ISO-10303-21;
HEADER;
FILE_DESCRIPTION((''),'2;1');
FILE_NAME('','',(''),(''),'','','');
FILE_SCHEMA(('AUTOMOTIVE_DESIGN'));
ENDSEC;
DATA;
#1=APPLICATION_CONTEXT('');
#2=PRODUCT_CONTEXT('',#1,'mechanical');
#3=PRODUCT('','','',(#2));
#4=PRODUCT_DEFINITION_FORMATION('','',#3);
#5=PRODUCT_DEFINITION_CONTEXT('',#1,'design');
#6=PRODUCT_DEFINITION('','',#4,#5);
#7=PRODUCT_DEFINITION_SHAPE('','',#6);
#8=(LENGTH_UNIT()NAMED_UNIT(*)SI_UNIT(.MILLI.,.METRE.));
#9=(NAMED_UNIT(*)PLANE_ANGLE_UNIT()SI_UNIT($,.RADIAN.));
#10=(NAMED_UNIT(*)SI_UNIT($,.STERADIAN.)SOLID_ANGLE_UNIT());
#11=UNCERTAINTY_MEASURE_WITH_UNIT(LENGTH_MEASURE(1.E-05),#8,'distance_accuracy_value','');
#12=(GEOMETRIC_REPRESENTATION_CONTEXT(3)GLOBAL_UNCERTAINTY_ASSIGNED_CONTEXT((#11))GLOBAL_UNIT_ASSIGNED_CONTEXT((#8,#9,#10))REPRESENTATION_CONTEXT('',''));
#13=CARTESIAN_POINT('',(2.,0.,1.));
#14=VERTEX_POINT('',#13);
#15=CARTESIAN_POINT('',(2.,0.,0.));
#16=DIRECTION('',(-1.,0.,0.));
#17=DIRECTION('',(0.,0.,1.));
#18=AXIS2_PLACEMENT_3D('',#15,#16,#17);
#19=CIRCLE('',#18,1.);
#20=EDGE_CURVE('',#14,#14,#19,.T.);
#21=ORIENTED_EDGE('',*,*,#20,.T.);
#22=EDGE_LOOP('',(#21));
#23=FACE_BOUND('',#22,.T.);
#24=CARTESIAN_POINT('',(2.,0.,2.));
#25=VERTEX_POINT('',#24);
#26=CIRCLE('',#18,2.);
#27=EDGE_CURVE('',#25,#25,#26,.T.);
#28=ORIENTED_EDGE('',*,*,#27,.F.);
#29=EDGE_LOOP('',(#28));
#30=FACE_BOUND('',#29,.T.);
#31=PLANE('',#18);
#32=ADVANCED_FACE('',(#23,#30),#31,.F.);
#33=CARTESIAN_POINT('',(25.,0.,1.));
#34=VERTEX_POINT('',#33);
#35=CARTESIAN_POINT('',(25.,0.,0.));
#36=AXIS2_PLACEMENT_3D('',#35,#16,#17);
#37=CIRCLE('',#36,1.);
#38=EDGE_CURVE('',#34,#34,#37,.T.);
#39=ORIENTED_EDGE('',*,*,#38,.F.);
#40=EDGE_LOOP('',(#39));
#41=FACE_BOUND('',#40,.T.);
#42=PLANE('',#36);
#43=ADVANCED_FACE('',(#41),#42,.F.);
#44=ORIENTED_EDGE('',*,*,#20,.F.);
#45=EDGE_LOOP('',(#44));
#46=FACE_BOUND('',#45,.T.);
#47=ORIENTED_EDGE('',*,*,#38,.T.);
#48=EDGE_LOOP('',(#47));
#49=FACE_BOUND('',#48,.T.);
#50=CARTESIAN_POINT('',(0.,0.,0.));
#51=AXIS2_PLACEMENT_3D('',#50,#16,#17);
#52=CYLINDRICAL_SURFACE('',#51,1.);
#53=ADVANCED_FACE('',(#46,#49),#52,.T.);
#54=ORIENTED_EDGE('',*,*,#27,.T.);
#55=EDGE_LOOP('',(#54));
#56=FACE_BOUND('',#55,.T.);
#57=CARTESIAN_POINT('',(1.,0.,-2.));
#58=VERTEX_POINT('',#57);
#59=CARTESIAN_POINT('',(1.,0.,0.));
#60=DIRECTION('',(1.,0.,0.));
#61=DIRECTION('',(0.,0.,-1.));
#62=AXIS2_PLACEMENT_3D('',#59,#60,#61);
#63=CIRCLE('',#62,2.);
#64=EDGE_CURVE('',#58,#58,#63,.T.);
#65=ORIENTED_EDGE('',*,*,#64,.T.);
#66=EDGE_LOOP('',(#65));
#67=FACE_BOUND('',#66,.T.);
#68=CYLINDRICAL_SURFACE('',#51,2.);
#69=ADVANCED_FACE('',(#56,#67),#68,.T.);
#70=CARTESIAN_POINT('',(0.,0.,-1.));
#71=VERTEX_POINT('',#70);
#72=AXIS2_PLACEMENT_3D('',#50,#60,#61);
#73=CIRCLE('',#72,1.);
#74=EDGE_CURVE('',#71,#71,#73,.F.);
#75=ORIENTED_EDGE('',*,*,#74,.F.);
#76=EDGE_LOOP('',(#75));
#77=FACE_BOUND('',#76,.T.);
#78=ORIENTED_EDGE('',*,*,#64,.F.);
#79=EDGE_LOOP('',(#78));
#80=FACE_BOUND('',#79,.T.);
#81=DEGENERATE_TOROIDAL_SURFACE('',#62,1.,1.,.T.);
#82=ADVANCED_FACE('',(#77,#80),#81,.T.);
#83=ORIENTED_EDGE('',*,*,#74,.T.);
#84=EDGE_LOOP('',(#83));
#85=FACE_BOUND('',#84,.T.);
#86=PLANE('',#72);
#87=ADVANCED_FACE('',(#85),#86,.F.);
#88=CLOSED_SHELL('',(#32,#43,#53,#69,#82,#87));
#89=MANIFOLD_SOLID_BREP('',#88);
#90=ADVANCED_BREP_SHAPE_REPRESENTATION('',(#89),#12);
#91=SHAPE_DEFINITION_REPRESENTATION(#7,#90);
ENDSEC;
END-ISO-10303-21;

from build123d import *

# Parameters (mm, degrees)
FILLET1_R = 1


with BuildPart() as part:
    # Sketch1 → Revolve1 (revolve)
    with BuildSketch(Plane.XY):
        Polygon((0, 2), (0, 0), (25, 0), (25, 1), (2, 1), (2, 2), align=None)
    revolve(axis=Axis((0, 0, 0), (1, 0, 0)))

    # Fillet1
    fillet1_edges = [part.edges().sort_by_distance(p)[0] for p in [
        (0, -2, 0),
    ]]
    fillet(fillet1_edges, radius=FILLET1_R)


solid = part.part
